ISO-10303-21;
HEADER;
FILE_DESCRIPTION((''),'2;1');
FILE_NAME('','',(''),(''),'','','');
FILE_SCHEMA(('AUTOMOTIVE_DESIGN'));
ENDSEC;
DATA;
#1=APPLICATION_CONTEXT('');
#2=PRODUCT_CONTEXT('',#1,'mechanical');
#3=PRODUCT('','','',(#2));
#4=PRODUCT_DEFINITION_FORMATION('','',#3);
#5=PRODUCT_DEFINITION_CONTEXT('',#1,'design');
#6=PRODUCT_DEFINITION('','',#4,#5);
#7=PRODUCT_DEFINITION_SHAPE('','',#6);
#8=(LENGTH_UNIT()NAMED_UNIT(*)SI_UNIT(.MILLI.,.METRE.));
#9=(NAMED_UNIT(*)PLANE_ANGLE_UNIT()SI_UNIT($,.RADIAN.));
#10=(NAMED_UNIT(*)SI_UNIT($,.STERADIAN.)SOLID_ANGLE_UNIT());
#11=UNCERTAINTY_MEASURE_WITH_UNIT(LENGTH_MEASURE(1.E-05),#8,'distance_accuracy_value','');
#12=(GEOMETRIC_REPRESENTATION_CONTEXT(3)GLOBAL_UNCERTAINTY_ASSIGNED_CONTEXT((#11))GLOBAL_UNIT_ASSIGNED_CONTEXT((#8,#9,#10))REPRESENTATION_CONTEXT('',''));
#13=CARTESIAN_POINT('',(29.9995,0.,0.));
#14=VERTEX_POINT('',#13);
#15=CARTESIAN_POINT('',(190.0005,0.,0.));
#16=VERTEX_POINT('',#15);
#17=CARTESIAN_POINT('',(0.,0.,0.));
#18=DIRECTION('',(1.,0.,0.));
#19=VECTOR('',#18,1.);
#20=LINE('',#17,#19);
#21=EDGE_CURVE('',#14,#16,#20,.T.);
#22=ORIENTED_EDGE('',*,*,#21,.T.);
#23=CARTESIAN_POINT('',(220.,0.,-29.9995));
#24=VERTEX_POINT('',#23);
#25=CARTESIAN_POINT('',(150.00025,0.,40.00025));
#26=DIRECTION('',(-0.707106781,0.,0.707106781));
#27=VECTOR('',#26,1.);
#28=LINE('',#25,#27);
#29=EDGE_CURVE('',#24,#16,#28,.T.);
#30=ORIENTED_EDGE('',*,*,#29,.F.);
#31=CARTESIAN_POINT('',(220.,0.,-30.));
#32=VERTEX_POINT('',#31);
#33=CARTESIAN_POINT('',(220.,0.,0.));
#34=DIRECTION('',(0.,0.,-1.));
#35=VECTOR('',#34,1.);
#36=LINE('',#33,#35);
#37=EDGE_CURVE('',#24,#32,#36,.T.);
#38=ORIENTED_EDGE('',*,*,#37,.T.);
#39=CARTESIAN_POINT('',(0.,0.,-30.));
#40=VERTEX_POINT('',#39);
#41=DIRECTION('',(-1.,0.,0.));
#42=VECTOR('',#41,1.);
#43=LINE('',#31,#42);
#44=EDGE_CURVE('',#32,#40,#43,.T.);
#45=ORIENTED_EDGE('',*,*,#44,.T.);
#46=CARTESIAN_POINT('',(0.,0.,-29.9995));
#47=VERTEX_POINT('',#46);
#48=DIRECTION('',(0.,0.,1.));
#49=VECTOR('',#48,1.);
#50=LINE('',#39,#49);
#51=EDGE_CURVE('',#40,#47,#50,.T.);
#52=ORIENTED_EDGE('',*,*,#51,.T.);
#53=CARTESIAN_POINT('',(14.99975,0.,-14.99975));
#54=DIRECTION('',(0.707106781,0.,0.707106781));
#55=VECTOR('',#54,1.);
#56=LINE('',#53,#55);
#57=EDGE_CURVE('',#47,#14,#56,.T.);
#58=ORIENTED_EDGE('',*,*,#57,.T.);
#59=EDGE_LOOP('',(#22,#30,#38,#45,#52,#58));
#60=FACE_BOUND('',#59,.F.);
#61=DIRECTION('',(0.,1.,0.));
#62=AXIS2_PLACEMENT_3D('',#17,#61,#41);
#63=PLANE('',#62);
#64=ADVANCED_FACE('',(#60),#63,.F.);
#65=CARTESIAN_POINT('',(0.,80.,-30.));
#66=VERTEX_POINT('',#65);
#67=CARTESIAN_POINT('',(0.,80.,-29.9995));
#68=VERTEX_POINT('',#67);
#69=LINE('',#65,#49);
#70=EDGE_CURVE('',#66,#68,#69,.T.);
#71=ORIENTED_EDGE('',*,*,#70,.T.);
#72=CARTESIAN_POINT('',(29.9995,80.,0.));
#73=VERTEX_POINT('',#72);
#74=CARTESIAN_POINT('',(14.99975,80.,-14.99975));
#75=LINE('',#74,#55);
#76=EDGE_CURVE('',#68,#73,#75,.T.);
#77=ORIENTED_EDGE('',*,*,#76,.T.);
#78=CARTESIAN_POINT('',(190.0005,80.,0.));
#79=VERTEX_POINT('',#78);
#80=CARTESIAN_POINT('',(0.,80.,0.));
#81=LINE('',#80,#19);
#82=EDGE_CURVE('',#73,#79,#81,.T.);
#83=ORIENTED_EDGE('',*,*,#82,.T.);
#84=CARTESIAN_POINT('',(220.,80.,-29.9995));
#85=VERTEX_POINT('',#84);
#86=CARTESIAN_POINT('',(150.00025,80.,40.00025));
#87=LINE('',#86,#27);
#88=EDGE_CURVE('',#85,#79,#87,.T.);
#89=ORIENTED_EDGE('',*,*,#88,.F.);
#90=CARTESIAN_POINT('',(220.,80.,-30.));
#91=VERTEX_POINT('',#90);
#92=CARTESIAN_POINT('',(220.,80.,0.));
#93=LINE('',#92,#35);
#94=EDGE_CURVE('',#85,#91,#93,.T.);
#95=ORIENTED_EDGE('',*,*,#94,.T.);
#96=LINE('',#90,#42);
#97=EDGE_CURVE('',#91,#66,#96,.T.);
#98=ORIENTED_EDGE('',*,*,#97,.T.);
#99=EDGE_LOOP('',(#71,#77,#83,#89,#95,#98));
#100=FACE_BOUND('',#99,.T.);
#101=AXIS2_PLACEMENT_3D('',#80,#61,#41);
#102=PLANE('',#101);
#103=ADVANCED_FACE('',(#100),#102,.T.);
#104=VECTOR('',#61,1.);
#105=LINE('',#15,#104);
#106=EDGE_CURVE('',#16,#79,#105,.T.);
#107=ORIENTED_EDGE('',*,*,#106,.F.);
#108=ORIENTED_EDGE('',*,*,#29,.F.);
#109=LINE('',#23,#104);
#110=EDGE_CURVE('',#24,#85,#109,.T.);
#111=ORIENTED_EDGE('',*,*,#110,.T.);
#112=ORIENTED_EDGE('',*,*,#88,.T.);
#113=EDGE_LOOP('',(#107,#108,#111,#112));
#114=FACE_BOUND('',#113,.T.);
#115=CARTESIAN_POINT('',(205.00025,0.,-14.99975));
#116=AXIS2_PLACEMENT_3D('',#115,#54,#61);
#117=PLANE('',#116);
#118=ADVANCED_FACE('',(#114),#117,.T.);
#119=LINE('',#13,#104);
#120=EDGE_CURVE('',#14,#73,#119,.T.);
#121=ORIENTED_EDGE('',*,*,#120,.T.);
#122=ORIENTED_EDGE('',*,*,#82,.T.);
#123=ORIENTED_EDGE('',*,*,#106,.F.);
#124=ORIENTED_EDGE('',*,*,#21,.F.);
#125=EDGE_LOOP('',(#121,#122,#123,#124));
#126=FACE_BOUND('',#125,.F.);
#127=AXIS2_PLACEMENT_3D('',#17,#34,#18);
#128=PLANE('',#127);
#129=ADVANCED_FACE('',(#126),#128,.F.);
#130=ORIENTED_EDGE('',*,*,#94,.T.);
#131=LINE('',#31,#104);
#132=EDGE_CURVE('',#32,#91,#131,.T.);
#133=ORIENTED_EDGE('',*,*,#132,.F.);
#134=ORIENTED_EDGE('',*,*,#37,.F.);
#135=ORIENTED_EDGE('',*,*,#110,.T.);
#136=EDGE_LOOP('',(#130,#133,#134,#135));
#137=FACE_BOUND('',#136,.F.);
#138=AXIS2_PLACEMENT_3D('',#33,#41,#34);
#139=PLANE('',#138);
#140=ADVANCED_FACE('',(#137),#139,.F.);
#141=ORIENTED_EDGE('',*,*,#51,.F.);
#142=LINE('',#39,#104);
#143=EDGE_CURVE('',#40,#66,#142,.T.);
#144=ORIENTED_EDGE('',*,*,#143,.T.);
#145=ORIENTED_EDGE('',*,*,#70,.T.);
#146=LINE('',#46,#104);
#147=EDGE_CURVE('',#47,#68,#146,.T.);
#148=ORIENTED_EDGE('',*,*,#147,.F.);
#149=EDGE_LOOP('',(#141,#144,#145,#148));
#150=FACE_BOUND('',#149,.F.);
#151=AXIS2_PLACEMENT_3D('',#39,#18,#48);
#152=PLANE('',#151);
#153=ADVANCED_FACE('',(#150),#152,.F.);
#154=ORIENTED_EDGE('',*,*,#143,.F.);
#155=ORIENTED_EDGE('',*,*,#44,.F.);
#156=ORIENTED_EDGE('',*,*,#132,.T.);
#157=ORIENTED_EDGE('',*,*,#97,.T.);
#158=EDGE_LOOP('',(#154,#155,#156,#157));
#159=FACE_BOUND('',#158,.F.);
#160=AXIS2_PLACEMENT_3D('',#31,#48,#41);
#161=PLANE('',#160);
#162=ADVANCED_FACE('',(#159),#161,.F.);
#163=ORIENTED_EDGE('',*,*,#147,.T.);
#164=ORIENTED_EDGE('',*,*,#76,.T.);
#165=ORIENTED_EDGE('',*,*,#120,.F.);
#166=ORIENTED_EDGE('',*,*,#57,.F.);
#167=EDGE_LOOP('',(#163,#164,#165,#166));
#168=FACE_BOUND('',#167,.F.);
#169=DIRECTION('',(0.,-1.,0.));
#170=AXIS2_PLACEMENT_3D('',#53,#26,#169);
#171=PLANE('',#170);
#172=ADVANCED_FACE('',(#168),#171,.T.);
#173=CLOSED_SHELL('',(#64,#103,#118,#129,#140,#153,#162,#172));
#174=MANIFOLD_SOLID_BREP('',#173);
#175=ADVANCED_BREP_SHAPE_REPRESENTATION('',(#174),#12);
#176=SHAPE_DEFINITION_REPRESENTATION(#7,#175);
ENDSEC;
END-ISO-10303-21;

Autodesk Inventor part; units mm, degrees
ref_plane "YZ Plane" through (0, 0, 0) normal (1, 0, 0) x (0, 1, 0)
ref_plane "XZ Plane" through (0, 0, 0) normal (0, 1, 0) x (-1, 0, 0)
ref_plane "XY Plane" through (0, 0, 0) normal (0, 0, 1) x (1, 0, 0)
sketch "Эскиз1" plane through (0, 0, 0) normal (0, 1, 0) x (-1, 0, 0)
  line L0 (0, 0) -> (-220, 0)
  line L1 (-220, 0) -> (-220, -30)
  line L2 (-220, -30) -> (0, -30)
  line L3 (0, -30) -> (0, 0)
  dimension "d0" = 220
  dimension "d1" = 30
extrude "Выдавливание1" add sketch "Эскиз1" along normal blind 80
chamfer "Фаска1" distance 30 angle 45 2 edges at (0, 40, 0) (220, 40, 0)
properties part number "dou_long" material "Красное дерево"
